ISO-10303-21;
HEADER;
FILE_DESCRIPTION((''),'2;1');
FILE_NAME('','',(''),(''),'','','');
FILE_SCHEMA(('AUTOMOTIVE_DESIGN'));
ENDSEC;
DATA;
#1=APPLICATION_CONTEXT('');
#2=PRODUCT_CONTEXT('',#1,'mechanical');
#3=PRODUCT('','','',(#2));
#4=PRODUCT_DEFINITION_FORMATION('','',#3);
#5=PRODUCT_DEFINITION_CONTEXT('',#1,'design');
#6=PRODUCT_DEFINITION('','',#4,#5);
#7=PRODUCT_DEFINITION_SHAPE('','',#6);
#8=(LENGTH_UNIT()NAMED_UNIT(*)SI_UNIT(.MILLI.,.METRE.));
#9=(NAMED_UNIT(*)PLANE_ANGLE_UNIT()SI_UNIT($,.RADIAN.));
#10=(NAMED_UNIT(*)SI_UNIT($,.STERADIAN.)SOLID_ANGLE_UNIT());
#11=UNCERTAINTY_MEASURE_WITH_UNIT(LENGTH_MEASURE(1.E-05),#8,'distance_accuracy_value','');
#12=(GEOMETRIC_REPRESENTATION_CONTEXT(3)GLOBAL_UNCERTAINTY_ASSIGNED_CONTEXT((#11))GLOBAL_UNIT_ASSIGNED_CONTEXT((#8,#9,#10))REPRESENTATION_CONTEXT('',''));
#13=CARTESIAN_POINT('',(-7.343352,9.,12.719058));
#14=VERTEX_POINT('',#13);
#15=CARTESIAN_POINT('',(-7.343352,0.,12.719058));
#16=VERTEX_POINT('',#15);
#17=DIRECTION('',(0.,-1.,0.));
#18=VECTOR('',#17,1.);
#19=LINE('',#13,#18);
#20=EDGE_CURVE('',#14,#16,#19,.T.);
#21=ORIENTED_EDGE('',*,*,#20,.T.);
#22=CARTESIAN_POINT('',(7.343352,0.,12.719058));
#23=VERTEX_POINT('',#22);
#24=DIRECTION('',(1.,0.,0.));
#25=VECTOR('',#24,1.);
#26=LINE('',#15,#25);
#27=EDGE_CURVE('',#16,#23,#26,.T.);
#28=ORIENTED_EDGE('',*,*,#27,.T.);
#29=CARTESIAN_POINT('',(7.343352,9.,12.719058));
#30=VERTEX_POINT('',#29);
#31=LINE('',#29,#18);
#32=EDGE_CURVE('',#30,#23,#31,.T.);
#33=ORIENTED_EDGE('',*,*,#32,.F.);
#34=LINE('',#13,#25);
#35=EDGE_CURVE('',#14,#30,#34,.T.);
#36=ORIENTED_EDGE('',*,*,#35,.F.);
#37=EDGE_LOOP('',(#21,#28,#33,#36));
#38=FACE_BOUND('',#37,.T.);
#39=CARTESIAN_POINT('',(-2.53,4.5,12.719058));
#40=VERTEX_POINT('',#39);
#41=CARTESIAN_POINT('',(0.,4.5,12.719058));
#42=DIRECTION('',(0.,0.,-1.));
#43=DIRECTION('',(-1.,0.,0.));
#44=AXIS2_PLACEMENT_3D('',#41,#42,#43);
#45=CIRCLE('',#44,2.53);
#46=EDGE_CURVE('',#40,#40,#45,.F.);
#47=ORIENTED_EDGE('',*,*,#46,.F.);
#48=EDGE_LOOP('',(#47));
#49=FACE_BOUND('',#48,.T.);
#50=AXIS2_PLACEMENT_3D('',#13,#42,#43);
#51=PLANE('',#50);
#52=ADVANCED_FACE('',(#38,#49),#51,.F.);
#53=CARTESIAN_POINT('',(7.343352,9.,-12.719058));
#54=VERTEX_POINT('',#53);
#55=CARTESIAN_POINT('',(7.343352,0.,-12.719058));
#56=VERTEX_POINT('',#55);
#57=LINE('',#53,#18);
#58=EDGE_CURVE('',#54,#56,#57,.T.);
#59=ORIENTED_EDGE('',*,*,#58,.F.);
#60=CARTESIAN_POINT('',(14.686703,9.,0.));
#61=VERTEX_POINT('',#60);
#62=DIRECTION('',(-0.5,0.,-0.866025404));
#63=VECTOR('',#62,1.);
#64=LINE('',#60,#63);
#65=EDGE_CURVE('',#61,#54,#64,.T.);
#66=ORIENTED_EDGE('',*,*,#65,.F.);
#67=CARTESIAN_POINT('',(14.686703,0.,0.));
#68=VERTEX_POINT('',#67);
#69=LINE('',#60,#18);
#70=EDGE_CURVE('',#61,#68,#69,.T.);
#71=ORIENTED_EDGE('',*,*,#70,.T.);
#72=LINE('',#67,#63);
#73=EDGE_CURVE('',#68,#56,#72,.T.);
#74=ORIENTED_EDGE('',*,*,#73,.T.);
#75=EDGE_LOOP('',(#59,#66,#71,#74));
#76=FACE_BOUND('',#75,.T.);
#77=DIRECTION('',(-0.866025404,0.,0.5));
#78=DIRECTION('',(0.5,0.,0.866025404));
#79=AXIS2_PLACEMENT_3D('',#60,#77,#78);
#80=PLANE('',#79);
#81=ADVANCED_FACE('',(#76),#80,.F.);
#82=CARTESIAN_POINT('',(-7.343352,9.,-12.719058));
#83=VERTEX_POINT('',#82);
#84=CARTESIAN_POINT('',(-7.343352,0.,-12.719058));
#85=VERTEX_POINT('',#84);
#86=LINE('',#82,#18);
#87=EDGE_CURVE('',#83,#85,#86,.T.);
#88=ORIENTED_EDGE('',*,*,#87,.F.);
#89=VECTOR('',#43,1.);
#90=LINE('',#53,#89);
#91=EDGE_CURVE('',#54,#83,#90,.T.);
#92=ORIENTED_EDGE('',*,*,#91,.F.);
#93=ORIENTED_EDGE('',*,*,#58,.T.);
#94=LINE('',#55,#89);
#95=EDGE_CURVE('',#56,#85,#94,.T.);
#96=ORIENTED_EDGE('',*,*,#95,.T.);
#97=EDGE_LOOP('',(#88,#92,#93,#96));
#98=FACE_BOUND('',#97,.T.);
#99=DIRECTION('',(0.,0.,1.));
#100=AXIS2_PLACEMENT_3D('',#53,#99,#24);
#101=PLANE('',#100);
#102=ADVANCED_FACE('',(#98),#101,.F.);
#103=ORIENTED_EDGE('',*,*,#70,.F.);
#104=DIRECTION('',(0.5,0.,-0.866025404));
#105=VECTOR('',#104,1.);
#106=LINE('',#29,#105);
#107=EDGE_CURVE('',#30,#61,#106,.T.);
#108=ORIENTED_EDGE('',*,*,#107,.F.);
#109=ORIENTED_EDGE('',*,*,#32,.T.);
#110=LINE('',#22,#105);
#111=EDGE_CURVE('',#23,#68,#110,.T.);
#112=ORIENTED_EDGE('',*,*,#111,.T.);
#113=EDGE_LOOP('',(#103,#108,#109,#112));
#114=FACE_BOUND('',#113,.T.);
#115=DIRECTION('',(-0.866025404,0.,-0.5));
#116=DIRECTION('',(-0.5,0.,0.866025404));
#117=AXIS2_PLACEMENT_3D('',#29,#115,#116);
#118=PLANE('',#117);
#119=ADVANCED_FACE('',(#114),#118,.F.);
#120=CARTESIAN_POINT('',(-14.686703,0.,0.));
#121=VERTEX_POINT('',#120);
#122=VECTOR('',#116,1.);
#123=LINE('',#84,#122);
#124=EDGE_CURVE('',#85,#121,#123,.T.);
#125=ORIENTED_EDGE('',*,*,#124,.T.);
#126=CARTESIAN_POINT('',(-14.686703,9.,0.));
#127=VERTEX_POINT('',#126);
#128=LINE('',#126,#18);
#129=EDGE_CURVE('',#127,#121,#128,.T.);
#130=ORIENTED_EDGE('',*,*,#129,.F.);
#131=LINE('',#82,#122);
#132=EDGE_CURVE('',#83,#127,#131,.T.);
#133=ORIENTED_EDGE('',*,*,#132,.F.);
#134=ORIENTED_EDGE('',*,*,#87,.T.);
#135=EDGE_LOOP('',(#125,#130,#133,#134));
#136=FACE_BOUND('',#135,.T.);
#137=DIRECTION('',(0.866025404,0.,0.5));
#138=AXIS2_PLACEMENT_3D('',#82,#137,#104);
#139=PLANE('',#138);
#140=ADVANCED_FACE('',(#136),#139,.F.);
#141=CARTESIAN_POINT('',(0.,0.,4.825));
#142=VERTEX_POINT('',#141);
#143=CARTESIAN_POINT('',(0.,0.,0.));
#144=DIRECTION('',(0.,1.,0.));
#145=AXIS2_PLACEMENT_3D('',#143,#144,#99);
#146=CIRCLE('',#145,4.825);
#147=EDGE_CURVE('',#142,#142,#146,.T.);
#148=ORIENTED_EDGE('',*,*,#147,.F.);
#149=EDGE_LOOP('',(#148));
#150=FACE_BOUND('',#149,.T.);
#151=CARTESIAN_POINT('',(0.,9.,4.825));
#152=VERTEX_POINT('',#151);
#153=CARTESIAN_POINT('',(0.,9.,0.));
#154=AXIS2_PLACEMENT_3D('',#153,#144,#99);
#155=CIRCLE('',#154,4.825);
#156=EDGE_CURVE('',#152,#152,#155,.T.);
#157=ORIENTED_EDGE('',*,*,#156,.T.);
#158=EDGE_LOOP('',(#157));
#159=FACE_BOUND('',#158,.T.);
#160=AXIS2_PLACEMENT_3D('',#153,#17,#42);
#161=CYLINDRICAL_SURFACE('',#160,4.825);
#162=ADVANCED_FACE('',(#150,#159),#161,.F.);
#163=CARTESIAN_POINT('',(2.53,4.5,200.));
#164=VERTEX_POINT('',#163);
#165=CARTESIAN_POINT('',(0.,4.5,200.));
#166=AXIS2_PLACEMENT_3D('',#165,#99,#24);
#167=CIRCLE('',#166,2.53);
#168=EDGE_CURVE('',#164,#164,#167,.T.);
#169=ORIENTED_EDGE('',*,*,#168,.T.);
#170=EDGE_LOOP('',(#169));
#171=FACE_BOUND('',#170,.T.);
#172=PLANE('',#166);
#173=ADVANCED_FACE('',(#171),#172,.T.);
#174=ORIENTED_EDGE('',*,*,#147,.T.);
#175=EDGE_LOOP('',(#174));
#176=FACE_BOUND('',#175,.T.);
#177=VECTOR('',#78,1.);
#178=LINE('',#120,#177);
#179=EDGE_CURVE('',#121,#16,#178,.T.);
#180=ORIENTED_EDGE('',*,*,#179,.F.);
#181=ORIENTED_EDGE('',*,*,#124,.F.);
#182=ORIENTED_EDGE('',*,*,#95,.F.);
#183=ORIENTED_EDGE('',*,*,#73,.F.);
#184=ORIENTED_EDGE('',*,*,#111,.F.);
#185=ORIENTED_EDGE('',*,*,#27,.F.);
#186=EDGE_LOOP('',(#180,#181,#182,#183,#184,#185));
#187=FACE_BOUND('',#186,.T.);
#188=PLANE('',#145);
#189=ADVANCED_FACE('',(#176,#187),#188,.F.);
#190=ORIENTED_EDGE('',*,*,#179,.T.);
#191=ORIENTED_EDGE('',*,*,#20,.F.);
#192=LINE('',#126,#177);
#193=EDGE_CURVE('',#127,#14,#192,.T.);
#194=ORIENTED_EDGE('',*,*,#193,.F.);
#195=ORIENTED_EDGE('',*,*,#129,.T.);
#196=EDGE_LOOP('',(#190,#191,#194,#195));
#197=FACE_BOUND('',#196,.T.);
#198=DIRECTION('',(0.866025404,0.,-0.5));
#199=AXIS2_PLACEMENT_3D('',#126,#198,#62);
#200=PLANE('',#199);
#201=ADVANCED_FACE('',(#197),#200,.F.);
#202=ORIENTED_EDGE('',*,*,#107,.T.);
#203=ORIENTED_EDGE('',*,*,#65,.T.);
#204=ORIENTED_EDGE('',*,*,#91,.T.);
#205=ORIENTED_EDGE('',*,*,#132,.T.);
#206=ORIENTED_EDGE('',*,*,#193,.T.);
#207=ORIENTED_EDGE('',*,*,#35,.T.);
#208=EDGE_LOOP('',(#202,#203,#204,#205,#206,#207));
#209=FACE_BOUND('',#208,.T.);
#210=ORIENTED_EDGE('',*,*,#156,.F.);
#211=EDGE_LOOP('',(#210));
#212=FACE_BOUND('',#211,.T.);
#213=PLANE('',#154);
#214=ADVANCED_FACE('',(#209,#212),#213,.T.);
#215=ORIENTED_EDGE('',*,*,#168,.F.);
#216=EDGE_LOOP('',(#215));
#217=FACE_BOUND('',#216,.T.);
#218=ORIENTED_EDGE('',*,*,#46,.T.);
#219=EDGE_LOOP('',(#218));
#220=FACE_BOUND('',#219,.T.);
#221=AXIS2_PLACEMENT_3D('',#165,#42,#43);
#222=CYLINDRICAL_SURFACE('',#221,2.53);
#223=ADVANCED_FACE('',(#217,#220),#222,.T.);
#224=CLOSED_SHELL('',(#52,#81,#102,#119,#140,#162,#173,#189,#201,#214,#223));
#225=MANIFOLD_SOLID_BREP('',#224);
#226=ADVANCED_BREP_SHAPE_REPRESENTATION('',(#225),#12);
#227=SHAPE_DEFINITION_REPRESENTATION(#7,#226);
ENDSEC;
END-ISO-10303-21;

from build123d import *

# Parameters (mm, degrees)
CROQUIS1_R                 = 4.825
SALIENTE_EXTRUIR1_DEPTH    = 9
CROQUIS2_R                 = 2.53
SALIENTE_EXTRUIR2_DEPTH    = 200
CROQUIS3_R                 = 4.825
CORTAR_EXTRUIR1_DEPTH      = 29
CORTAR_EXTRUIR1_DEPTH_BACK = 67


with BuildPart() as part:
    # Croquis1 → Saliente-Extruir1 (new body)
    with BuildSketch(Plane(origin=(0, 0, 0), x_dir=(1, 0, 0), z_dir=(0, 1, 0))):
        Polygon((14.68670308, 0), (7.34335154, 12.719057965), (-7.34335154, 12.719057965), (-14.68670308, 0), (-7.34335154, -12.719057965), (7.34335154, -12.719057965), align=None)
        Circle(CROQUIS1_R, mode=Mode.SUBTRACT)
    extrude(amount=SALIENTE_EXTRUIR1_DEPTH)

    # Croquis2 → Saliente-Extruir2 (add)
    with BuildSketch(Plane.XY):
        with Locations((0, 4.5)):
            Circle(CROQUIS2_R)
    extrude(amount=SALIENTE_EXTRUIR2_DEPTH)

    # Croquis3 → Cortar-Extruir1 (cut, two sides)
    with BuildSketch(Plane(origin=(0, 0, 0), x_dir=(1, 0, 0), z_dir=(0, 1, 0))) as cortar_extruir1_sk:
        Circle(CROQUIS3_R)
    extrude(amount=CORTAR_EXTRUIR1_DEPTH, mode=Mode.SUBTRACT)
    extrude(cortar_extruir1_sk.sketch, amount=-CORTAR_EXTRUIR1_DEPTH_BACK, mode=Mode.SUBTRACT)


solid = part.part
